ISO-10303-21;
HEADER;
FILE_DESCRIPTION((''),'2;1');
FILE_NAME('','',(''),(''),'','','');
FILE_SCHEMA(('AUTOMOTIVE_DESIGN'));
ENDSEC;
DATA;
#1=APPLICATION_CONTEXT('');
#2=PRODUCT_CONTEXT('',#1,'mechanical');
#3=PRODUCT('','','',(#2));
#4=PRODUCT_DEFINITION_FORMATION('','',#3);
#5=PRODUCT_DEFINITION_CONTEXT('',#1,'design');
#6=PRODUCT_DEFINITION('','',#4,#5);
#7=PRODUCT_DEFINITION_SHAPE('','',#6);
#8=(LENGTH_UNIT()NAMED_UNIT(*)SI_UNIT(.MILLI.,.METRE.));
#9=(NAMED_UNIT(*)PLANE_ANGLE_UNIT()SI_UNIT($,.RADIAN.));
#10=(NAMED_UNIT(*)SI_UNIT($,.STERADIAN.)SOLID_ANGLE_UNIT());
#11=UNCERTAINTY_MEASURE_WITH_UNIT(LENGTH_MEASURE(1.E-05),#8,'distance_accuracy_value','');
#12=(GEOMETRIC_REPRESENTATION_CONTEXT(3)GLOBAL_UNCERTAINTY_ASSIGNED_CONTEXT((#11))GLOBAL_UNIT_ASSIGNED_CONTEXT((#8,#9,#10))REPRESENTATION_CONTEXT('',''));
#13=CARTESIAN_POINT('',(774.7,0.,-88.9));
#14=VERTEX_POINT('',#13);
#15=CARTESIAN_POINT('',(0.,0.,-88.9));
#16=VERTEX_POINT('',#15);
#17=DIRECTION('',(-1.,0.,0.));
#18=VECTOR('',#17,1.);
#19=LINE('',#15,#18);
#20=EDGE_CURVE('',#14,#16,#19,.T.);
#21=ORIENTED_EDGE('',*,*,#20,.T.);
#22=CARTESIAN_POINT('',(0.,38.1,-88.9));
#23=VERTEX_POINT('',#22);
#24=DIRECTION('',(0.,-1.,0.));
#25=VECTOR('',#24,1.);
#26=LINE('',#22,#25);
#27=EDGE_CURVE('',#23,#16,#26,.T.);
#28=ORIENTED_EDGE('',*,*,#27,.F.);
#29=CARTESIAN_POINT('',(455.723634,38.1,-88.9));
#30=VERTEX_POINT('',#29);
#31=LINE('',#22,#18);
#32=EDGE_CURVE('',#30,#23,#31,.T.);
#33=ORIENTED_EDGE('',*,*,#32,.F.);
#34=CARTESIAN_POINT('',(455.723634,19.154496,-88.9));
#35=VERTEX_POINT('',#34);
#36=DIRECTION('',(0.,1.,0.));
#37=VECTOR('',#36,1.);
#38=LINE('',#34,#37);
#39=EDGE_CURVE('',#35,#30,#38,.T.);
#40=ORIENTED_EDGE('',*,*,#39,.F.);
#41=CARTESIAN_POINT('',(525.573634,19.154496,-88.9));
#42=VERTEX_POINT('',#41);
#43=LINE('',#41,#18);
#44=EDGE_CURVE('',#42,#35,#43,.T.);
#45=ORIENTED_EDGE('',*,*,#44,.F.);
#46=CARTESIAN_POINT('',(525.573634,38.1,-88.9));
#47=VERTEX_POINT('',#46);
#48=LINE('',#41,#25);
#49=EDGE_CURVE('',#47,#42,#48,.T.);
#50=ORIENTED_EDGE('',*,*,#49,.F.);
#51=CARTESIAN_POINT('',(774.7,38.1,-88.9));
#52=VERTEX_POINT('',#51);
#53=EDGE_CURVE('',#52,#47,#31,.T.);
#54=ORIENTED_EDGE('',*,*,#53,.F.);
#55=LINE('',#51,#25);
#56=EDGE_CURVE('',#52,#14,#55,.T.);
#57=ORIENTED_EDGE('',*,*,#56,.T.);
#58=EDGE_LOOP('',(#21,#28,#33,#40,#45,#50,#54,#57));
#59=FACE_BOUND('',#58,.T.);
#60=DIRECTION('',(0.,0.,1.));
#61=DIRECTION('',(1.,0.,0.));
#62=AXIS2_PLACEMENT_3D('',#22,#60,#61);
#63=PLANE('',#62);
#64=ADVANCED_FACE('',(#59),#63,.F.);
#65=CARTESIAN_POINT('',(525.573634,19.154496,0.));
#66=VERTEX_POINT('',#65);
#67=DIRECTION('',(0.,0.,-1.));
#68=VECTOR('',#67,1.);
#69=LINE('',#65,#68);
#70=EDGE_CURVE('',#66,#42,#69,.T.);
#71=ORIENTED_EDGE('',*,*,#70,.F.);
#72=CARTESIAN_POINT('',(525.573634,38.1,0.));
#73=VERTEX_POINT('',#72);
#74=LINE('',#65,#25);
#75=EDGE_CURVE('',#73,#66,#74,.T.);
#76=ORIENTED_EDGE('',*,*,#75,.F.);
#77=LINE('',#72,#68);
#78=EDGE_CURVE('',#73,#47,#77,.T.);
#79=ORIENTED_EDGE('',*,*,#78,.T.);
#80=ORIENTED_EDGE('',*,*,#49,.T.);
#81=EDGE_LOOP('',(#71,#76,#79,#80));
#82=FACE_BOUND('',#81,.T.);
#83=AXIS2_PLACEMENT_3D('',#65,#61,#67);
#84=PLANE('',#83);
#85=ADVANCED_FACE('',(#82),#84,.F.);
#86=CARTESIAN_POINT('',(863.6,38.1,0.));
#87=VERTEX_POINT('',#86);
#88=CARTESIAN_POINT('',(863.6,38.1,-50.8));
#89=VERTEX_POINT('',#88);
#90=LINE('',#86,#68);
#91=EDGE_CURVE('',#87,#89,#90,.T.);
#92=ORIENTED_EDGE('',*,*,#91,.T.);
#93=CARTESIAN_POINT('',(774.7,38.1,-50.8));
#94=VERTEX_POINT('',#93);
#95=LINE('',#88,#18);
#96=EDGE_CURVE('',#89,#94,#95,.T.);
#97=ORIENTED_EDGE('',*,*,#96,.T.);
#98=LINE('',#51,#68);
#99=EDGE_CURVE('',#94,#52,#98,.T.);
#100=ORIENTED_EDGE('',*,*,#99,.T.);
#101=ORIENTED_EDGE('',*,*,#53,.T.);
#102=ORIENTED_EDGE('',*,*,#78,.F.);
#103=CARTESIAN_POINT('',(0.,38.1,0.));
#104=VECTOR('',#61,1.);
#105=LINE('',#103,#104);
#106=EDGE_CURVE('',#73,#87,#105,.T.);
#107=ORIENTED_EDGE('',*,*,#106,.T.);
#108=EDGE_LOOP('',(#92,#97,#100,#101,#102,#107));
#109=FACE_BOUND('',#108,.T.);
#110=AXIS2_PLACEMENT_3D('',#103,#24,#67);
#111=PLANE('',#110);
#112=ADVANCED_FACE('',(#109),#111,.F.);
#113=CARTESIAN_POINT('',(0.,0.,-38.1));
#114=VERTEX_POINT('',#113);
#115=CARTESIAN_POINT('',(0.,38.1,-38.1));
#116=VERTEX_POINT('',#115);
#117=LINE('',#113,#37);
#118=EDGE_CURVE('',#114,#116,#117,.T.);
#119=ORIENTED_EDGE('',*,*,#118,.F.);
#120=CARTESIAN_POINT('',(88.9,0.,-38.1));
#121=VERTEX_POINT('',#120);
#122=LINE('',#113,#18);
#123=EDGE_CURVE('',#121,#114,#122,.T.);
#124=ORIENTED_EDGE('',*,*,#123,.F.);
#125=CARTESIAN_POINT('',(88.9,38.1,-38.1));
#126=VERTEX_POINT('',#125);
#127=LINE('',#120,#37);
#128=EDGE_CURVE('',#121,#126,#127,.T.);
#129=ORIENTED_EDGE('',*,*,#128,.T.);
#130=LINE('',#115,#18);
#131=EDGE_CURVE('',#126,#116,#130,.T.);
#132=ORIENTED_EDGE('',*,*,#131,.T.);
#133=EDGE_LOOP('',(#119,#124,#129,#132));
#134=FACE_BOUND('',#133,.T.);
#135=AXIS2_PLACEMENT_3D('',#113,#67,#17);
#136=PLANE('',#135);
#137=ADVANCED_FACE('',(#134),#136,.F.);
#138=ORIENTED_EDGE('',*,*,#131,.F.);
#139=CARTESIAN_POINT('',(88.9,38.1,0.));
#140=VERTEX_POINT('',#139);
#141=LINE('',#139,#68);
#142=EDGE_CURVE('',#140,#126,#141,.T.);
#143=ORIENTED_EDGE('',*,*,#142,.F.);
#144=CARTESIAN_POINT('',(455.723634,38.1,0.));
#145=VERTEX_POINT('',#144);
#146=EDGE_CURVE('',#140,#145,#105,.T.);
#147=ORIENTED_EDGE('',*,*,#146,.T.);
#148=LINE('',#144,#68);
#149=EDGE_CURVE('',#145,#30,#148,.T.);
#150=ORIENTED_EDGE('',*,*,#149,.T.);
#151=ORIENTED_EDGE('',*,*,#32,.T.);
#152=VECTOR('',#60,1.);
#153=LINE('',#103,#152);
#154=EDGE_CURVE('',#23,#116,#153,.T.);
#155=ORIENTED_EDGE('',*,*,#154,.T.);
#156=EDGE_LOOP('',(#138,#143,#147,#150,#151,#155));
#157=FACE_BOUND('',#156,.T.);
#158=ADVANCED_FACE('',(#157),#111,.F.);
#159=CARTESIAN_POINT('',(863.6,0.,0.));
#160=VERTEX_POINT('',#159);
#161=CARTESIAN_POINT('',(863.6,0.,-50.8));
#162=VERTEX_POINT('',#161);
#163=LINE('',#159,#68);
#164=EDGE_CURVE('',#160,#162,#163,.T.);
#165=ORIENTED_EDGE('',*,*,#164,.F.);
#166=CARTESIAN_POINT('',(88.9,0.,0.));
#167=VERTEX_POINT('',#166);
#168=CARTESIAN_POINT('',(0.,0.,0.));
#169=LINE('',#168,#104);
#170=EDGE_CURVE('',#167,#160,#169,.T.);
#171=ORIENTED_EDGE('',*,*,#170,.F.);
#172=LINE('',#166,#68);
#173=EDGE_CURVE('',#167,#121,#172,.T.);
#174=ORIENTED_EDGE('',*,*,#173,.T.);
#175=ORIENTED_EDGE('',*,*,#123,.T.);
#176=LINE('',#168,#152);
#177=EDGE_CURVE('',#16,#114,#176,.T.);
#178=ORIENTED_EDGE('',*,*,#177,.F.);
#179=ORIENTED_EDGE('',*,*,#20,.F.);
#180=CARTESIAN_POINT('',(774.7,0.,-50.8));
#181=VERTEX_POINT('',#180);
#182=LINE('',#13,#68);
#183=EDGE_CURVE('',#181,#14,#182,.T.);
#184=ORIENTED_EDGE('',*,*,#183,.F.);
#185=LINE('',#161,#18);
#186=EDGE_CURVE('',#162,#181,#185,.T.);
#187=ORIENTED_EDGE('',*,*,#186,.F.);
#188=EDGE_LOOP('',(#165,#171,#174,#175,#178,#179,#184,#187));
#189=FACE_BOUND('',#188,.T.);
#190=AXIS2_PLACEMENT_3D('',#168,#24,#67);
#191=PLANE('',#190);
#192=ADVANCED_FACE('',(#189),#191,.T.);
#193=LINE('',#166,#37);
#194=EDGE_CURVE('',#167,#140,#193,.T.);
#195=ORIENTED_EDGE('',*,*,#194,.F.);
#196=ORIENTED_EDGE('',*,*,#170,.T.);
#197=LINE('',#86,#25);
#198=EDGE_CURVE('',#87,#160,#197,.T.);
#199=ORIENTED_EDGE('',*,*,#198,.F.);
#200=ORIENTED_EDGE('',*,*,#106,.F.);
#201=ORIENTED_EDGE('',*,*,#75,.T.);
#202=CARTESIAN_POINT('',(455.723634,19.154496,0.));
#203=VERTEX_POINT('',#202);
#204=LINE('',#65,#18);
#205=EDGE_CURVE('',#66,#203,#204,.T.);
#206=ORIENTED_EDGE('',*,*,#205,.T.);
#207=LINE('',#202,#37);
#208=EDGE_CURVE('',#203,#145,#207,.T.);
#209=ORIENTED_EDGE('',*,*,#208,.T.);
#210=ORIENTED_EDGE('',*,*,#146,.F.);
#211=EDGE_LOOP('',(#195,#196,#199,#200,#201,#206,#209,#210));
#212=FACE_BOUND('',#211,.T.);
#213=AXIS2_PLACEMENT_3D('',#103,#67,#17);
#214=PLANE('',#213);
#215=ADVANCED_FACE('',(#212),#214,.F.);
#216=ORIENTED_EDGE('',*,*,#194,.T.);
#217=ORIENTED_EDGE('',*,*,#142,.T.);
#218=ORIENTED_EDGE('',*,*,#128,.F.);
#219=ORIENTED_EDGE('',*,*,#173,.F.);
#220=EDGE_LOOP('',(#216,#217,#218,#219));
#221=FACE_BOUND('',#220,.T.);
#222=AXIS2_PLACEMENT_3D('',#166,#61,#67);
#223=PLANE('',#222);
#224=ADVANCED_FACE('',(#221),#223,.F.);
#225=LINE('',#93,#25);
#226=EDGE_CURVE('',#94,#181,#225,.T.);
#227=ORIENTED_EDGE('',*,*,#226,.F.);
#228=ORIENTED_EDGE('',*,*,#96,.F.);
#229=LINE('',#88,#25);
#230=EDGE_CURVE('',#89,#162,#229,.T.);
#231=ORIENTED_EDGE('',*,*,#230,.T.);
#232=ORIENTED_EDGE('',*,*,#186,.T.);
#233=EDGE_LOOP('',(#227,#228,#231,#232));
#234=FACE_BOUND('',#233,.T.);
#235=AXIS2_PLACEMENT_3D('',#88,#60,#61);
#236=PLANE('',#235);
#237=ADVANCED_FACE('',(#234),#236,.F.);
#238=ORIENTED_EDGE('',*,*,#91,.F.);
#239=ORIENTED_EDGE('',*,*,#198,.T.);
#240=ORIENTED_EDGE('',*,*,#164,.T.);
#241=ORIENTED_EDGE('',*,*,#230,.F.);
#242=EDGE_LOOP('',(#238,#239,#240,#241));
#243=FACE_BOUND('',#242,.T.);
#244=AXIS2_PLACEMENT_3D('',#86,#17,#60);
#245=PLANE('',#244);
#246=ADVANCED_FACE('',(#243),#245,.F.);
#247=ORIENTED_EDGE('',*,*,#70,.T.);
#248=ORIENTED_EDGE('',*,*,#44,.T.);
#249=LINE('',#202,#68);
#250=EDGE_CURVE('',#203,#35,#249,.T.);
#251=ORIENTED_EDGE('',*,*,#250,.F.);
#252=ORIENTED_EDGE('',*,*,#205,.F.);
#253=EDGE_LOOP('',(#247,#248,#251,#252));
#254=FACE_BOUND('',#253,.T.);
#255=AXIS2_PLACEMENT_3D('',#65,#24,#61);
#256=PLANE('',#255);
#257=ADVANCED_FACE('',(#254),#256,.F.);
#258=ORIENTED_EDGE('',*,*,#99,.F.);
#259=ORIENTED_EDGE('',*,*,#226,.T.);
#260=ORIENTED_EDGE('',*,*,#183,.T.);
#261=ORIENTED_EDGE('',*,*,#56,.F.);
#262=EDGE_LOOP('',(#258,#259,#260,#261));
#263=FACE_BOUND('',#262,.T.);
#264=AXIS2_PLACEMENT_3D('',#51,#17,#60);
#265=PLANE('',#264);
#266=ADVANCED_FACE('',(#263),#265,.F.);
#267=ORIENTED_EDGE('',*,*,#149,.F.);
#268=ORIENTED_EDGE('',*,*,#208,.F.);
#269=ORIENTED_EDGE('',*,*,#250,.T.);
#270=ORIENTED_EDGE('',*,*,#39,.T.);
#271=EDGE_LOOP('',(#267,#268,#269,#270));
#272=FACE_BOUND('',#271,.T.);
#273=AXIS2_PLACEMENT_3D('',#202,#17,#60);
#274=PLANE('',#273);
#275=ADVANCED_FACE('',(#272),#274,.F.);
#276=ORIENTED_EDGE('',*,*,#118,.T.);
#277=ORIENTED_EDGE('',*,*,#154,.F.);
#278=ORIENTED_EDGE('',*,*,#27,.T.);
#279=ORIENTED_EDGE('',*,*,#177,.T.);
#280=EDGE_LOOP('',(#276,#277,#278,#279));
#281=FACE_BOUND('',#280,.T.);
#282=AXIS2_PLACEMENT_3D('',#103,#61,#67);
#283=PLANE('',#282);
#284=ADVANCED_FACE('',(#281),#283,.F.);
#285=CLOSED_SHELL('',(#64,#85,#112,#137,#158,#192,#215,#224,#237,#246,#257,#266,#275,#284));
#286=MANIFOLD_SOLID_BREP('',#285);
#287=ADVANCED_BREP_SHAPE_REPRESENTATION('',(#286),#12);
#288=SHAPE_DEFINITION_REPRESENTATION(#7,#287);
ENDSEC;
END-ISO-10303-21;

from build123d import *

# Parameters (mm, degrees)
SKETCH1_W           = 863.6
SKETCH1_H           = 88.9
BOSS_EXTRUDE1_DEPTH = 38.1
SKETCH3_W           = 88.9
SKETCH3_H           = 38.1
CUT_EXTRUDE2_DEPTH  = 39.1
SKETCH2_W           = 88.9
SKETCH2_H           = 38.1
CUT_EXTRUDE3_DEPTH  = 39.1
SKETCH4_W           = 69.85
SKETCH4_H           = 18.945503639
CUT_EXTRUDE4_DEPTH  = 89.9


with BuildPart() as part:
    # Sketch1 → Boss-Extrude1 (new body)
    with BuildSketch(Plane(origin=(0, 0, 0), x_dir=(1, 0, 0), z_dir=(0, 1, 0))):
        with Locations((431.8, 44.45)):
            Rectangle(SKETCH1_W, SKETCH1_H)
    extrude(amount=BOSS_EXTRUDE1_DEPTH)

    # Sketch3 → Cut-Extrude2 (cut, through all)
    with BuildSketch(Plane(origin=(0, 38.1, 0), x_dir=(1, 0, 0), z_dir=(0, 1, 0))):
        with Locations((44.45, 19.05)):
            Rectangle(SKETCH3_W, SKETCH3_H)
    extrude(amount=-CUT_EXTRUDE2_DEPTH, mode=Mode.SUBTRACT)

    # Sketch2 → Cut-Extrude3 (cut, through all)
    with BuildSketch(Plane.XZ):
        with Locations((819.15, -69.85)):
            Rectangle(SKETCH2_W, SKETCH2_H)
    extrude(amount=-CUT_EXTRUDE3_DEPTH, mode=Mode.SUBTRACT)

    # Sketch4 → Cut-Extrude4 (cut, through all)
    with BuildSketch(Plane(origin=(0, 0, -88.9), x_dir=(-1, 0, 0), z_dir=(0, 0, -1))):
        with Locations((-490.648634291, 28.627248181)):
            Rectangle(SKETCH4_W, SKETCH4_H)
    extrude(amount=-CUT_EXTRUDE4_DEPTH, mode=Mode.SUBTRACT)


solid = part.part
